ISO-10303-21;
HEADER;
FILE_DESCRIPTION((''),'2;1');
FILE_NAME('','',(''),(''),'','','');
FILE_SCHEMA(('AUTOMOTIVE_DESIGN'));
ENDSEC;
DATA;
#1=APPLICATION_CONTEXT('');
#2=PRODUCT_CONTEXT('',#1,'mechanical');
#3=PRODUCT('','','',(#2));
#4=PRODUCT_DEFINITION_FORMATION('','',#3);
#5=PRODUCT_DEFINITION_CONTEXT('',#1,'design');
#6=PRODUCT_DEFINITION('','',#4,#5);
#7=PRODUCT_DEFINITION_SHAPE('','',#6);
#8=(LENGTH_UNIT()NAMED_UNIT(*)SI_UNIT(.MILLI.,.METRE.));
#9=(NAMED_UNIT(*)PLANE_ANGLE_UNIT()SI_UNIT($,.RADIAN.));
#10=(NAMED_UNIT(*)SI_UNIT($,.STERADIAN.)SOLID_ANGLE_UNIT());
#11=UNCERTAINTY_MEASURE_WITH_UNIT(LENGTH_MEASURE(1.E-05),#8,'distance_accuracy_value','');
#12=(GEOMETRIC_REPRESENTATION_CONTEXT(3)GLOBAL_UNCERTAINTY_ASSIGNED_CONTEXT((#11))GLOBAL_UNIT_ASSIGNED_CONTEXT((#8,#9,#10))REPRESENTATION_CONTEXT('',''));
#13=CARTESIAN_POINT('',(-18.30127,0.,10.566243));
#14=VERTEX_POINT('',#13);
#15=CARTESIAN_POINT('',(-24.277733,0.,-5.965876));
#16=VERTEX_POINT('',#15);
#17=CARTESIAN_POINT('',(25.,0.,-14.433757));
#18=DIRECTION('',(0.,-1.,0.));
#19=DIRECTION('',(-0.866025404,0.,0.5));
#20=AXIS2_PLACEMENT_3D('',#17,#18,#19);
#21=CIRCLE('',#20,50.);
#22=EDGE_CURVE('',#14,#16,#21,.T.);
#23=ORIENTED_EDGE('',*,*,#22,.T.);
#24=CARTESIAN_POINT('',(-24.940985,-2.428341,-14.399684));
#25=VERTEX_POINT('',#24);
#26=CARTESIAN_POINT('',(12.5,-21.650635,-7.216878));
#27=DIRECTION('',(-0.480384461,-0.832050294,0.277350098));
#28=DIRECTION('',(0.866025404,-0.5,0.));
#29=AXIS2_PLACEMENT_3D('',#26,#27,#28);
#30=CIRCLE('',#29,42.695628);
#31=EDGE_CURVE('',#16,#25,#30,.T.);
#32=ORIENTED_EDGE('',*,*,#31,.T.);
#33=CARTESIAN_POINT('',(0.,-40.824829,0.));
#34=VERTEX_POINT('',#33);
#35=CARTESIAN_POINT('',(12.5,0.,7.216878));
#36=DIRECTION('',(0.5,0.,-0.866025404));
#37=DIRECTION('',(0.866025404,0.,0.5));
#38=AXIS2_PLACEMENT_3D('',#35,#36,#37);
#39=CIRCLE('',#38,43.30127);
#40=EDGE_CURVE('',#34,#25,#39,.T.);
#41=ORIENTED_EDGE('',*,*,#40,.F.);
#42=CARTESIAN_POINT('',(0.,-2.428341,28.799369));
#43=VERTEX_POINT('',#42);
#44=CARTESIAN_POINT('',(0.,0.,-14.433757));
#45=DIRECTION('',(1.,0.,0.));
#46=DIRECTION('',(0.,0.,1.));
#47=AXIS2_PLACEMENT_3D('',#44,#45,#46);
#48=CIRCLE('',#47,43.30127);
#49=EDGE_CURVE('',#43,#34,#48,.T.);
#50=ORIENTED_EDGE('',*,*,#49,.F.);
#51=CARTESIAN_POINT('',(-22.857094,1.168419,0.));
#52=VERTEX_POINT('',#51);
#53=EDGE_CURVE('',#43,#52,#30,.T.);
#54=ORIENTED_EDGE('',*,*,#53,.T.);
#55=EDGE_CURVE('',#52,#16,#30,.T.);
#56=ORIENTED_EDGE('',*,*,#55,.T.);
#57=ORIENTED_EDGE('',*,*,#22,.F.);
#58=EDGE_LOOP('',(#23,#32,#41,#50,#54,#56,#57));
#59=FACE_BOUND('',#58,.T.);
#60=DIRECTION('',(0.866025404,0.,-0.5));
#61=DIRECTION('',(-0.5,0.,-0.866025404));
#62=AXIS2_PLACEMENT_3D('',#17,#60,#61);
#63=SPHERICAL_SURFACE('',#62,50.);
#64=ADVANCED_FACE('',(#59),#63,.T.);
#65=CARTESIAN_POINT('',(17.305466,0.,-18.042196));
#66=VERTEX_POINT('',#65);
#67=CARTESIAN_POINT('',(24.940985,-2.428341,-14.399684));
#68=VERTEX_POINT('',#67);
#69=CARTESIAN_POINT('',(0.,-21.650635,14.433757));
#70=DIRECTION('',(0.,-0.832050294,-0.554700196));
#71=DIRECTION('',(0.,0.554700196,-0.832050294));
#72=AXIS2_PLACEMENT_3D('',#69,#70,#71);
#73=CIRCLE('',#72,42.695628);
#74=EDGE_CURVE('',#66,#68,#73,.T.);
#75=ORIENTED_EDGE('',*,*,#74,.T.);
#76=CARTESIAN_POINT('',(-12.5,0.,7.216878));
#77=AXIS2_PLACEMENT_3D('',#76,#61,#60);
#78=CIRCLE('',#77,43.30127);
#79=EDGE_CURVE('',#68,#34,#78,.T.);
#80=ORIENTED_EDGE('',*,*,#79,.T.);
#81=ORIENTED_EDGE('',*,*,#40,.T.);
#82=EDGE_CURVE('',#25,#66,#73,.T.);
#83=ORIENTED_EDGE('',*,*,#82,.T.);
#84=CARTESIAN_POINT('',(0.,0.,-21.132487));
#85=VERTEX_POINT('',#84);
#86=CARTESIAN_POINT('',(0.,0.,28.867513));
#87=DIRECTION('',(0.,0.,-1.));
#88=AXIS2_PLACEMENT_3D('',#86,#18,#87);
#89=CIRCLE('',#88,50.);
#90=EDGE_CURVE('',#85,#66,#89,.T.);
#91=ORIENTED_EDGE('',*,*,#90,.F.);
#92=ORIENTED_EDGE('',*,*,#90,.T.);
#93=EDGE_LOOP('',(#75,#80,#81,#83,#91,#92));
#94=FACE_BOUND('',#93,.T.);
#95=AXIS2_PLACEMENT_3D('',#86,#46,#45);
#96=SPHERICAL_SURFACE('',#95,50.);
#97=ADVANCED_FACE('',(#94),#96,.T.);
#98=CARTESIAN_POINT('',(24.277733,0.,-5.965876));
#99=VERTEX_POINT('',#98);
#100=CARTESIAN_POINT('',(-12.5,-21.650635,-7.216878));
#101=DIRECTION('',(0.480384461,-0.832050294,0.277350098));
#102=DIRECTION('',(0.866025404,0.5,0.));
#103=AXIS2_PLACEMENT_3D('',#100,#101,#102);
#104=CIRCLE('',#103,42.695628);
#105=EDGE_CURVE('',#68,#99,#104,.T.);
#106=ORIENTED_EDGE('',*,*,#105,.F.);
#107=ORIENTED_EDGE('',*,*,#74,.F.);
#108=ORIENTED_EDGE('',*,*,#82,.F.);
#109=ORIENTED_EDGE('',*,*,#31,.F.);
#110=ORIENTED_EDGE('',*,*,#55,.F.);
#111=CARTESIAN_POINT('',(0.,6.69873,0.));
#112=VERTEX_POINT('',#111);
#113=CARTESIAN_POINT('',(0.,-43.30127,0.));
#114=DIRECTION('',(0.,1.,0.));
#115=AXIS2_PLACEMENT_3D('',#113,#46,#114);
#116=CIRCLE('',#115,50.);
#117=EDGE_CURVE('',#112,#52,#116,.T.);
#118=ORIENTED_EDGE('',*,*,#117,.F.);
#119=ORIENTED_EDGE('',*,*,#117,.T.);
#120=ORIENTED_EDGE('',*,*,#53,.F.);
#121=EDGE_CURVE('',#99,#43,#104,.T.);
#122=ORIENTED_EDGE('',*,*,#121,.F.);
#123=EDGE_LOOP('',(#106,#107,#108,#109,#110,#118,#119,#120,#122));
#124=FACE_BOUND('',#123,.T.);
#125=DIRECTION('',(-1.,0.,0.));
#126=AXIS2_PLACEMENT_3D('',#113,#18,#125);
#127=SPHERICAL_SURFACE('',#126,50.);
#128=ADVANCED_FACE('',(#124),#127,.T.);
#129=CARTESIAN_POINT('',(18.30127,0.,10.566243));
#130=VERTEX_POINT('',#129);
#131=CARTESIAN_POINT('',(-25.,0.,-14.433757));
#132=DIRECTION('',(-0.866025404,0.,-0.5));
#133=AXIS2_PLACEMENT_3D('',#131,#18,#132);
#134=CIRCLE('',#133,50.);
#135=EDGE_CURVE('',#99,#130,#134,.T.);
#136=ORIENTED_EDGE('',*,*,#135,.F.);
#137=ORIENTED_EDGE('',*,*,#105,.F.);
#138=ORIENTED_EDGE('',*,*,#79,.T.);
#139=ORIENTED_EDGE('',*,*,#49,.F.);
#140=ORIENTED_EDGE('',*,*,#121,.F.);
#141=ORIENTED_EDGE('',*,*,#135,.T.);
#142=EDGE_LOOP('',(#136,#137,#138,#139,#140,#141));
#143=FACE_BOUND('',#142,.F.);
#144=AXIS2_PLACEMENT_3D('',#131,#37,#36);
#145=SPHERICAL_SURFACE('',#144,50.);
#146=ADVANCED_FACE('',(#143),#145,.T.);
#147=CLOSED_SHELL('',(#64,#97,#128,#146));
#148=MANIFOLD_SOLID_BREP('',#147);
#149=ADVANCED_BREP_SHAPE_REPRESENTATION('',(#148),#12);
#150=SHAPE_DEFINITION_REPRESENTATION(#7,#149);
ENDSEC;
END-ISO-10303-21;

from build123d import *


with BuildPart() as f2:
    # F1 (on Front) → F2 (revolve)
    with BuildSketch(Plane.XZ):
        with BuildLine():
            Line((0, 78.8675134595), (0, -21.1324865405))
            ThreePointArc((0, -21.1324865405), (50, 28.8675134595), (0, 78.8675134595))
        make_face()
    revolve(axis=Axis((0, 0, 42.5087921321), (0, 0, 1)))


with BuildPart() as f4:
    # F3 (on Front) → F4 (revolve)
    with BuildSketch(Plane.XZ):
        with BuildLine():
            Line((18.3012701892, 10.5662432703), (-68.3012701892, -39.4337567297))
            ThreePointArc((-68.3012701892, -39.4337567297), (0, -57.735026919), (18.3012701892, 10.5662432703))
        make_face()
    revolve(axis=Axis((-48.7220736529, 0, -28.129702339), (-0.8660254038, 0, -0.5)))


with BuildPart() as f6:
    # F5 (on Front) → F6 (revolve)
    with BuildSketch(Plane.XZ):
        with BuildLine():
            Line((68.3012701892, -39.4337567297), (-18.3012701892, 10.5662432703))
            ThreePointArc((-18.3012701892, 10.5662432703), (0, -57.735026919), (68.3012701892, -39.4337567297))
        make_face()
    revolve(axis=Axis((48.6017106384, 0, -28.0602107202), (0.8660254038, 0, -0.5)))


with BuildPart() as f10:
    # F9 (on Top) → F10 (revolve)
    with BuildSketch(Plane.XY):
        with BuildLine():
            Line((0, -93.3012701892), (0, 6.6987298108))
            ThreePointArc((0, 6.6987298108), (-50, -43.3012701892), (0, -93.3012701892))
        make_face()
    revolve(axis=Axis((0, -54.9783110619, 0), (0, -1, 0)))


with BuildPart() as f2_1:
    add(f2.part)

    # F11: intersect F4, F6, F10
    add(f4.part, mode=Mode.INTERSECT)
    add(f6.part, mode=Mode.INTERSECT)
    add(f10.part, mode=Mode.INTERSECT)


solid = f2_1.part
